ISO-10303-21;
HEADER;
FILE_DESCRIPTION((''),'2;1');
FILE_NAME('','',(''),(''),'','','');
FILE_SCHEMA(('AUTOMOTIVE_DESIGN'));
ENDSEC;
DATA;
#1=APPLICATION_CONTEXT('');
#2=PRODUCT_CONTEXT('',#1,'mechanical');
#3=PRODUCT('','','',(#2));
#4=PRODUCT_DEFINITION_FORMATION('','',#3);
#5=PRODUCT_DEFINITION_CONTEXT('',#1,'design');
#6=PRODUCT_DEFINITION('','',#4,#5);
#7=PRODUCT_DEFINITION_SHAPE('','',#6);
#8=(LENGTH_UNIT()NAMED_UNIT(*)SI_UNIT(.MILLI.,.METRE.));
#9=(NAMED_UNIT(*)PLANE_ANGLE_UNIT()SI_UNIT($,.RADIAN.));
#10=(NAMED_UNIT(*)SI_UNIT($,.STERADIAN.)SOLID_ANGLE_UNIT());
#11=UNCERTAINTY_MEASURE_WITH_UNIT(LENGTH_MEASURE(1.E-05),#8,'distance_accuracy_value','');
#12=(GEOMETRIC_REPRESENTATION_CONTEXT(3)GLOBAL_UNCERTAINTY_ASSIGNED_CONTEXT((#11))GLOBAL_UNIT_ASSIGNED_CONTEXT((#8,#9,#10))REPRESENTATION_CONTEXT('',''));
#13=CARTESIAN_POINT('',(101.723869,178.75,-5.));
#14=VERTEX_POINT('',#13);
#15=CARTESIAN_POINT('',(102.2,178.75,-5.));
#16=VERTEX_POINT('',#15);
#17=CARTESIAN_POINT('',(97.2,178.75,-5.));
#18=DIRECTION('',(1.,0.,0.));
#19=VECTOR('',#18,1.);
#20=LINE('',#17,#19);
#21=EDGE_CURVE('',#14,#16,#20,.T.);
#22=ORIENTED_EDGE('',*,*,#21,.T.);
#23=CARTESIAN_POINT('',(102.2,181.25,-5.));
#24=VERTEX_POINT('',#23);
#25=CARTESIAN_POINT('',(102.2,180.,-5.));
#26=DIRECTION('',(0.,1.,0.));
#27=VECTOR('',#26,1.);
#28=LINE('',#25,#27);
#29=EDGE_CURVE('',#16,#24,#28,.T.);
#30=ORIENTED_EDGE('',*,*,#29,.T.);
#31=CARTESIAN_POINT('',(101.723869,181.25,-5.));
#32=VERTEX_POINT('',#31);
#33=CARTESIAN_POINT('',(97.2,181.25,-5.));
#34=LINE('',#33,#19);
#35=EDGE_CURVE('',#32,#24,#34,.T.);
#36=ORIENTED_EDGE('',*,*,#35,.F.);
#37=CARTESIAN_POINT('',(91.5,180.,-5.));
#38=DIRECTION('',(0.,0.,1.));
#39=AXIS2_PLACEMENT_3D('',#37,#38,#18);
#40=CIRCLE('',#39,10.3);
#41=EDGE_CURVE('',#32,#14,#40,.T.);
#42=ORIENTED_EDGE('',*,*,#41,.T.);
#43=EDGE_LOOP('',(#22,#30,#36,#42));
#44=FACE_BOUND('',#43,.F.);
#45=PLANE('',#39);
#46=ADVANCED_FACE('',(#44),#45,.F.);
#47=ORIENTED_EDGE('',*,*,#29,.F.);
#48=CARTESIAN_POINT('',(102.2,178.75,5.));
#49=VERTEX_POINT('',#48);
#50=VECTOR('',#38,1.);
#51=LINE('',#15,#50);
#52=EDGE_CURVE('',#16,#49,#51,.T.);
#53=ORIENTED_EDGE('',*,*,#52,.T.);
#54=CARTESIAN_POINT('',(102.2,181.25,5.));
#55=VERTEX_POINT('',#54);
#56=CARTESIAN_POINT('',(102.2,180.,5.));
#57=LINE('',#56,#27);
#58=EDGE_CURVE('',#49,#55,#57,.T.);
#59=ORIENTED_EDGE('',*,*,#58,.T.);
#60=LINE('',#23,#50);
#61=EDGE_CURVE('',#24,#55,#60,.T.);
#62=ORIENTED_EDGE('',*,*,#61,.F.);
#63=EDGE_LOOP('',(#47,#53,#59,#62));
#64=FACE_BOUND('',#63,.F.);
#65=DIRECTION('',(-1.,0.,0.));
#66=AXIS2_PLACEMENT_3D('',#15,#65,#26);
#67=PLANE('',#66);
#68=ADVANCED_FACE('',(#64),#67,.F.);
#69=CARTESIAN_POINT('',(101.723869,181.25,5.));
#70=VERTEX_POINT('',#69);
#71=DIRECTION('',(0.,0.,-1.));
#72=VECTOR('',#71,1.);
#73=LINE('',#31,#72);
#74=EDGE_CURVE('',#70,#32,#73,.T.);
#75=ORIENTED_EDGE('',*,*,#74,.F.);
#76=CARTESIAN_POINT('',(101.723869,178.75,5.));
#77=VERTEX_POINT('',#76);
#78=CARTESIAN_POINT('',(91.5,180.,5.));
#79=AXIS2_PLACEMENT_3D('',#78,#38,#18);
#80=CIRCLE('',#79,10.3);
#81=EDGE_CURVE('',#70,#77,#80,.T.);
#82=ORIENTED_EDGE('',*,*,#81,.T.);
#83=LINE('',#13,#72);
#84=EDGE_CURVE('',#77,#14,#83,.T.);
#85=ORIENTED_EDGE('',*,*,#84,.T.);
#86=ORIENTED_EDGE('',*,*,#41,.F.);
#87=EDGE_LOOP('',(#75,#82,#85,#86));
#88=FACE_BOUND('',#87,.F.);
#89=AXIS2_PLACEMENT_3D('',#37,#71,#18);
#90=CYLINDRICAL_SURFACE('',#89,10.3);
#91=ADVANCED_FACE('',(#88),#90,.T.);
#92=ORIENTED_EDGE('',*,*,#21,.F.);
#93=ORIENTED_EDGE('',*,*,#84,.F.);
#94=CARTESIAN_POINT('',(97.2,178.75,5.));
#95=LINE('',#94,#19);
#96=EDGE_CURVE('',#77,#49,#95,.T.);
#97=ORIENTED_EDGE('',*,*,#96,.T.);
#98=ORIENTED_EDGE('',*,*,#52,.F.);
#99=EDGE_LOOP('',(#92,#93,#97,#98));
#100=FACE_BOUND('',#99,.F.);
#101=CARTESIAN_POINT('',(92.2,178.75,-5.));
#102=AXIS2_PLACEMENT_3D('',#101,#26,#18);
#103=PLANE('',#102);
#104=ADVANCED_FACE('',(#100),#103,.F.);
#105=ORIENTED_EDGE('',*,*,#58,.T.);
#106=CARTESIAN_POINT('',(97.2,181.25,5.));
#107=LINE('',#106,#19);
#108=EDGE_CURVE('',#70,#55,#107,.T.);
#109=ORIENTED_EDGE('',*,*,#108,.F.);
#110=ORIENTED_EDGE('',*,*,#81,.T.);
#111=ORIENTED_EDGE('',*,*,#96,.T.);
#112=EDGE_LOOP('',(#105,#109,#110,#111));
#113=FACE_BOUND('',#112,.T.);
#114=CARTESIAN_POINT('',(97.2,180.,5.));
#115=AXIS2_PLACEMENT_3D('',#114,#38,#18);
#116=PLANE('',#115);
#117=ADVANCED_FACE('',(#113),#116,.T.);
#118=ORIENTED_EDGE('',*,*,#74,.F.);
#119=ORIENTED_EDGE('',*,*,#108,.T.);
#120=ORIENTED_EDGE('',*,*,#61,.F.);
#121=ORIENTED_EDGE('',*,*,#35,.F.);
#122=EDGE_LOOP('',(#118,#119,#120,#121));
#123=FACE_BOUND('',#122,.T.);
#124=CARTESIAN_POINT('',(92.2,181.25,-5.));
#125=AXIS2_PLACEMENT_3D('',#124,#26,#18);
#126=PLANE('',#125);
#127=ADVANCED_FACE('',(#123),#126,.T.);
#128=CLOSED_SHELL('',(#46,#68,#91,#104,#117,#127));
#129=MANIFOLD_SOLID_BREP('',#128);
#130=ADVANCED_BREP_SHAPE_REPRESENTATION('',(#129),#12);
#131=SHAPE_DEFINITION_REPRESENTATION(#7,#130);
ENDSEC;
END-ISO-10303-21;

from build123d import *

# Parameters (mm, degrees)
BOX057_W          = 10
BOX057_H          = 2.5
BOX057_DEPTH      = 10
CYLINDER064_R     = 10.3
CYLINDER064_DEPTH = 10


with BuildPart() as cube056:
    # Box057 → Box057 (new body)
    with BuildSketch(Plane(origin=(85.7, 163.75, -5), x_dir=(1, 0, 0), z_dir=(0, 0, 1))):
        with Locations((5, 1.25)):
            Rectangle(BOX057_W, BOX057_H)
    extrude(amount=BOX057_DEPTH)


with BuildPart() as powersw002:
    # Cylinder064 → Cylinder064 (new body)
    with BuildSketch(Plane(origin=(85, 165, -5), x_dir=(1, 0, 0), z_dir=(0, 0, 1))):
        Circle(CYLINDER064_R)
    extrude(amount=CYLINDER064_DEPTH)

    # Fusion009: union Cube056
    add(cube056.part)


with BuildPart() as powersw002_1:
    # Fusion009 placement: moved
    add(powersw002.part.moved(Location((6.5, 15, 0))))


solid = powersw002_1.part
